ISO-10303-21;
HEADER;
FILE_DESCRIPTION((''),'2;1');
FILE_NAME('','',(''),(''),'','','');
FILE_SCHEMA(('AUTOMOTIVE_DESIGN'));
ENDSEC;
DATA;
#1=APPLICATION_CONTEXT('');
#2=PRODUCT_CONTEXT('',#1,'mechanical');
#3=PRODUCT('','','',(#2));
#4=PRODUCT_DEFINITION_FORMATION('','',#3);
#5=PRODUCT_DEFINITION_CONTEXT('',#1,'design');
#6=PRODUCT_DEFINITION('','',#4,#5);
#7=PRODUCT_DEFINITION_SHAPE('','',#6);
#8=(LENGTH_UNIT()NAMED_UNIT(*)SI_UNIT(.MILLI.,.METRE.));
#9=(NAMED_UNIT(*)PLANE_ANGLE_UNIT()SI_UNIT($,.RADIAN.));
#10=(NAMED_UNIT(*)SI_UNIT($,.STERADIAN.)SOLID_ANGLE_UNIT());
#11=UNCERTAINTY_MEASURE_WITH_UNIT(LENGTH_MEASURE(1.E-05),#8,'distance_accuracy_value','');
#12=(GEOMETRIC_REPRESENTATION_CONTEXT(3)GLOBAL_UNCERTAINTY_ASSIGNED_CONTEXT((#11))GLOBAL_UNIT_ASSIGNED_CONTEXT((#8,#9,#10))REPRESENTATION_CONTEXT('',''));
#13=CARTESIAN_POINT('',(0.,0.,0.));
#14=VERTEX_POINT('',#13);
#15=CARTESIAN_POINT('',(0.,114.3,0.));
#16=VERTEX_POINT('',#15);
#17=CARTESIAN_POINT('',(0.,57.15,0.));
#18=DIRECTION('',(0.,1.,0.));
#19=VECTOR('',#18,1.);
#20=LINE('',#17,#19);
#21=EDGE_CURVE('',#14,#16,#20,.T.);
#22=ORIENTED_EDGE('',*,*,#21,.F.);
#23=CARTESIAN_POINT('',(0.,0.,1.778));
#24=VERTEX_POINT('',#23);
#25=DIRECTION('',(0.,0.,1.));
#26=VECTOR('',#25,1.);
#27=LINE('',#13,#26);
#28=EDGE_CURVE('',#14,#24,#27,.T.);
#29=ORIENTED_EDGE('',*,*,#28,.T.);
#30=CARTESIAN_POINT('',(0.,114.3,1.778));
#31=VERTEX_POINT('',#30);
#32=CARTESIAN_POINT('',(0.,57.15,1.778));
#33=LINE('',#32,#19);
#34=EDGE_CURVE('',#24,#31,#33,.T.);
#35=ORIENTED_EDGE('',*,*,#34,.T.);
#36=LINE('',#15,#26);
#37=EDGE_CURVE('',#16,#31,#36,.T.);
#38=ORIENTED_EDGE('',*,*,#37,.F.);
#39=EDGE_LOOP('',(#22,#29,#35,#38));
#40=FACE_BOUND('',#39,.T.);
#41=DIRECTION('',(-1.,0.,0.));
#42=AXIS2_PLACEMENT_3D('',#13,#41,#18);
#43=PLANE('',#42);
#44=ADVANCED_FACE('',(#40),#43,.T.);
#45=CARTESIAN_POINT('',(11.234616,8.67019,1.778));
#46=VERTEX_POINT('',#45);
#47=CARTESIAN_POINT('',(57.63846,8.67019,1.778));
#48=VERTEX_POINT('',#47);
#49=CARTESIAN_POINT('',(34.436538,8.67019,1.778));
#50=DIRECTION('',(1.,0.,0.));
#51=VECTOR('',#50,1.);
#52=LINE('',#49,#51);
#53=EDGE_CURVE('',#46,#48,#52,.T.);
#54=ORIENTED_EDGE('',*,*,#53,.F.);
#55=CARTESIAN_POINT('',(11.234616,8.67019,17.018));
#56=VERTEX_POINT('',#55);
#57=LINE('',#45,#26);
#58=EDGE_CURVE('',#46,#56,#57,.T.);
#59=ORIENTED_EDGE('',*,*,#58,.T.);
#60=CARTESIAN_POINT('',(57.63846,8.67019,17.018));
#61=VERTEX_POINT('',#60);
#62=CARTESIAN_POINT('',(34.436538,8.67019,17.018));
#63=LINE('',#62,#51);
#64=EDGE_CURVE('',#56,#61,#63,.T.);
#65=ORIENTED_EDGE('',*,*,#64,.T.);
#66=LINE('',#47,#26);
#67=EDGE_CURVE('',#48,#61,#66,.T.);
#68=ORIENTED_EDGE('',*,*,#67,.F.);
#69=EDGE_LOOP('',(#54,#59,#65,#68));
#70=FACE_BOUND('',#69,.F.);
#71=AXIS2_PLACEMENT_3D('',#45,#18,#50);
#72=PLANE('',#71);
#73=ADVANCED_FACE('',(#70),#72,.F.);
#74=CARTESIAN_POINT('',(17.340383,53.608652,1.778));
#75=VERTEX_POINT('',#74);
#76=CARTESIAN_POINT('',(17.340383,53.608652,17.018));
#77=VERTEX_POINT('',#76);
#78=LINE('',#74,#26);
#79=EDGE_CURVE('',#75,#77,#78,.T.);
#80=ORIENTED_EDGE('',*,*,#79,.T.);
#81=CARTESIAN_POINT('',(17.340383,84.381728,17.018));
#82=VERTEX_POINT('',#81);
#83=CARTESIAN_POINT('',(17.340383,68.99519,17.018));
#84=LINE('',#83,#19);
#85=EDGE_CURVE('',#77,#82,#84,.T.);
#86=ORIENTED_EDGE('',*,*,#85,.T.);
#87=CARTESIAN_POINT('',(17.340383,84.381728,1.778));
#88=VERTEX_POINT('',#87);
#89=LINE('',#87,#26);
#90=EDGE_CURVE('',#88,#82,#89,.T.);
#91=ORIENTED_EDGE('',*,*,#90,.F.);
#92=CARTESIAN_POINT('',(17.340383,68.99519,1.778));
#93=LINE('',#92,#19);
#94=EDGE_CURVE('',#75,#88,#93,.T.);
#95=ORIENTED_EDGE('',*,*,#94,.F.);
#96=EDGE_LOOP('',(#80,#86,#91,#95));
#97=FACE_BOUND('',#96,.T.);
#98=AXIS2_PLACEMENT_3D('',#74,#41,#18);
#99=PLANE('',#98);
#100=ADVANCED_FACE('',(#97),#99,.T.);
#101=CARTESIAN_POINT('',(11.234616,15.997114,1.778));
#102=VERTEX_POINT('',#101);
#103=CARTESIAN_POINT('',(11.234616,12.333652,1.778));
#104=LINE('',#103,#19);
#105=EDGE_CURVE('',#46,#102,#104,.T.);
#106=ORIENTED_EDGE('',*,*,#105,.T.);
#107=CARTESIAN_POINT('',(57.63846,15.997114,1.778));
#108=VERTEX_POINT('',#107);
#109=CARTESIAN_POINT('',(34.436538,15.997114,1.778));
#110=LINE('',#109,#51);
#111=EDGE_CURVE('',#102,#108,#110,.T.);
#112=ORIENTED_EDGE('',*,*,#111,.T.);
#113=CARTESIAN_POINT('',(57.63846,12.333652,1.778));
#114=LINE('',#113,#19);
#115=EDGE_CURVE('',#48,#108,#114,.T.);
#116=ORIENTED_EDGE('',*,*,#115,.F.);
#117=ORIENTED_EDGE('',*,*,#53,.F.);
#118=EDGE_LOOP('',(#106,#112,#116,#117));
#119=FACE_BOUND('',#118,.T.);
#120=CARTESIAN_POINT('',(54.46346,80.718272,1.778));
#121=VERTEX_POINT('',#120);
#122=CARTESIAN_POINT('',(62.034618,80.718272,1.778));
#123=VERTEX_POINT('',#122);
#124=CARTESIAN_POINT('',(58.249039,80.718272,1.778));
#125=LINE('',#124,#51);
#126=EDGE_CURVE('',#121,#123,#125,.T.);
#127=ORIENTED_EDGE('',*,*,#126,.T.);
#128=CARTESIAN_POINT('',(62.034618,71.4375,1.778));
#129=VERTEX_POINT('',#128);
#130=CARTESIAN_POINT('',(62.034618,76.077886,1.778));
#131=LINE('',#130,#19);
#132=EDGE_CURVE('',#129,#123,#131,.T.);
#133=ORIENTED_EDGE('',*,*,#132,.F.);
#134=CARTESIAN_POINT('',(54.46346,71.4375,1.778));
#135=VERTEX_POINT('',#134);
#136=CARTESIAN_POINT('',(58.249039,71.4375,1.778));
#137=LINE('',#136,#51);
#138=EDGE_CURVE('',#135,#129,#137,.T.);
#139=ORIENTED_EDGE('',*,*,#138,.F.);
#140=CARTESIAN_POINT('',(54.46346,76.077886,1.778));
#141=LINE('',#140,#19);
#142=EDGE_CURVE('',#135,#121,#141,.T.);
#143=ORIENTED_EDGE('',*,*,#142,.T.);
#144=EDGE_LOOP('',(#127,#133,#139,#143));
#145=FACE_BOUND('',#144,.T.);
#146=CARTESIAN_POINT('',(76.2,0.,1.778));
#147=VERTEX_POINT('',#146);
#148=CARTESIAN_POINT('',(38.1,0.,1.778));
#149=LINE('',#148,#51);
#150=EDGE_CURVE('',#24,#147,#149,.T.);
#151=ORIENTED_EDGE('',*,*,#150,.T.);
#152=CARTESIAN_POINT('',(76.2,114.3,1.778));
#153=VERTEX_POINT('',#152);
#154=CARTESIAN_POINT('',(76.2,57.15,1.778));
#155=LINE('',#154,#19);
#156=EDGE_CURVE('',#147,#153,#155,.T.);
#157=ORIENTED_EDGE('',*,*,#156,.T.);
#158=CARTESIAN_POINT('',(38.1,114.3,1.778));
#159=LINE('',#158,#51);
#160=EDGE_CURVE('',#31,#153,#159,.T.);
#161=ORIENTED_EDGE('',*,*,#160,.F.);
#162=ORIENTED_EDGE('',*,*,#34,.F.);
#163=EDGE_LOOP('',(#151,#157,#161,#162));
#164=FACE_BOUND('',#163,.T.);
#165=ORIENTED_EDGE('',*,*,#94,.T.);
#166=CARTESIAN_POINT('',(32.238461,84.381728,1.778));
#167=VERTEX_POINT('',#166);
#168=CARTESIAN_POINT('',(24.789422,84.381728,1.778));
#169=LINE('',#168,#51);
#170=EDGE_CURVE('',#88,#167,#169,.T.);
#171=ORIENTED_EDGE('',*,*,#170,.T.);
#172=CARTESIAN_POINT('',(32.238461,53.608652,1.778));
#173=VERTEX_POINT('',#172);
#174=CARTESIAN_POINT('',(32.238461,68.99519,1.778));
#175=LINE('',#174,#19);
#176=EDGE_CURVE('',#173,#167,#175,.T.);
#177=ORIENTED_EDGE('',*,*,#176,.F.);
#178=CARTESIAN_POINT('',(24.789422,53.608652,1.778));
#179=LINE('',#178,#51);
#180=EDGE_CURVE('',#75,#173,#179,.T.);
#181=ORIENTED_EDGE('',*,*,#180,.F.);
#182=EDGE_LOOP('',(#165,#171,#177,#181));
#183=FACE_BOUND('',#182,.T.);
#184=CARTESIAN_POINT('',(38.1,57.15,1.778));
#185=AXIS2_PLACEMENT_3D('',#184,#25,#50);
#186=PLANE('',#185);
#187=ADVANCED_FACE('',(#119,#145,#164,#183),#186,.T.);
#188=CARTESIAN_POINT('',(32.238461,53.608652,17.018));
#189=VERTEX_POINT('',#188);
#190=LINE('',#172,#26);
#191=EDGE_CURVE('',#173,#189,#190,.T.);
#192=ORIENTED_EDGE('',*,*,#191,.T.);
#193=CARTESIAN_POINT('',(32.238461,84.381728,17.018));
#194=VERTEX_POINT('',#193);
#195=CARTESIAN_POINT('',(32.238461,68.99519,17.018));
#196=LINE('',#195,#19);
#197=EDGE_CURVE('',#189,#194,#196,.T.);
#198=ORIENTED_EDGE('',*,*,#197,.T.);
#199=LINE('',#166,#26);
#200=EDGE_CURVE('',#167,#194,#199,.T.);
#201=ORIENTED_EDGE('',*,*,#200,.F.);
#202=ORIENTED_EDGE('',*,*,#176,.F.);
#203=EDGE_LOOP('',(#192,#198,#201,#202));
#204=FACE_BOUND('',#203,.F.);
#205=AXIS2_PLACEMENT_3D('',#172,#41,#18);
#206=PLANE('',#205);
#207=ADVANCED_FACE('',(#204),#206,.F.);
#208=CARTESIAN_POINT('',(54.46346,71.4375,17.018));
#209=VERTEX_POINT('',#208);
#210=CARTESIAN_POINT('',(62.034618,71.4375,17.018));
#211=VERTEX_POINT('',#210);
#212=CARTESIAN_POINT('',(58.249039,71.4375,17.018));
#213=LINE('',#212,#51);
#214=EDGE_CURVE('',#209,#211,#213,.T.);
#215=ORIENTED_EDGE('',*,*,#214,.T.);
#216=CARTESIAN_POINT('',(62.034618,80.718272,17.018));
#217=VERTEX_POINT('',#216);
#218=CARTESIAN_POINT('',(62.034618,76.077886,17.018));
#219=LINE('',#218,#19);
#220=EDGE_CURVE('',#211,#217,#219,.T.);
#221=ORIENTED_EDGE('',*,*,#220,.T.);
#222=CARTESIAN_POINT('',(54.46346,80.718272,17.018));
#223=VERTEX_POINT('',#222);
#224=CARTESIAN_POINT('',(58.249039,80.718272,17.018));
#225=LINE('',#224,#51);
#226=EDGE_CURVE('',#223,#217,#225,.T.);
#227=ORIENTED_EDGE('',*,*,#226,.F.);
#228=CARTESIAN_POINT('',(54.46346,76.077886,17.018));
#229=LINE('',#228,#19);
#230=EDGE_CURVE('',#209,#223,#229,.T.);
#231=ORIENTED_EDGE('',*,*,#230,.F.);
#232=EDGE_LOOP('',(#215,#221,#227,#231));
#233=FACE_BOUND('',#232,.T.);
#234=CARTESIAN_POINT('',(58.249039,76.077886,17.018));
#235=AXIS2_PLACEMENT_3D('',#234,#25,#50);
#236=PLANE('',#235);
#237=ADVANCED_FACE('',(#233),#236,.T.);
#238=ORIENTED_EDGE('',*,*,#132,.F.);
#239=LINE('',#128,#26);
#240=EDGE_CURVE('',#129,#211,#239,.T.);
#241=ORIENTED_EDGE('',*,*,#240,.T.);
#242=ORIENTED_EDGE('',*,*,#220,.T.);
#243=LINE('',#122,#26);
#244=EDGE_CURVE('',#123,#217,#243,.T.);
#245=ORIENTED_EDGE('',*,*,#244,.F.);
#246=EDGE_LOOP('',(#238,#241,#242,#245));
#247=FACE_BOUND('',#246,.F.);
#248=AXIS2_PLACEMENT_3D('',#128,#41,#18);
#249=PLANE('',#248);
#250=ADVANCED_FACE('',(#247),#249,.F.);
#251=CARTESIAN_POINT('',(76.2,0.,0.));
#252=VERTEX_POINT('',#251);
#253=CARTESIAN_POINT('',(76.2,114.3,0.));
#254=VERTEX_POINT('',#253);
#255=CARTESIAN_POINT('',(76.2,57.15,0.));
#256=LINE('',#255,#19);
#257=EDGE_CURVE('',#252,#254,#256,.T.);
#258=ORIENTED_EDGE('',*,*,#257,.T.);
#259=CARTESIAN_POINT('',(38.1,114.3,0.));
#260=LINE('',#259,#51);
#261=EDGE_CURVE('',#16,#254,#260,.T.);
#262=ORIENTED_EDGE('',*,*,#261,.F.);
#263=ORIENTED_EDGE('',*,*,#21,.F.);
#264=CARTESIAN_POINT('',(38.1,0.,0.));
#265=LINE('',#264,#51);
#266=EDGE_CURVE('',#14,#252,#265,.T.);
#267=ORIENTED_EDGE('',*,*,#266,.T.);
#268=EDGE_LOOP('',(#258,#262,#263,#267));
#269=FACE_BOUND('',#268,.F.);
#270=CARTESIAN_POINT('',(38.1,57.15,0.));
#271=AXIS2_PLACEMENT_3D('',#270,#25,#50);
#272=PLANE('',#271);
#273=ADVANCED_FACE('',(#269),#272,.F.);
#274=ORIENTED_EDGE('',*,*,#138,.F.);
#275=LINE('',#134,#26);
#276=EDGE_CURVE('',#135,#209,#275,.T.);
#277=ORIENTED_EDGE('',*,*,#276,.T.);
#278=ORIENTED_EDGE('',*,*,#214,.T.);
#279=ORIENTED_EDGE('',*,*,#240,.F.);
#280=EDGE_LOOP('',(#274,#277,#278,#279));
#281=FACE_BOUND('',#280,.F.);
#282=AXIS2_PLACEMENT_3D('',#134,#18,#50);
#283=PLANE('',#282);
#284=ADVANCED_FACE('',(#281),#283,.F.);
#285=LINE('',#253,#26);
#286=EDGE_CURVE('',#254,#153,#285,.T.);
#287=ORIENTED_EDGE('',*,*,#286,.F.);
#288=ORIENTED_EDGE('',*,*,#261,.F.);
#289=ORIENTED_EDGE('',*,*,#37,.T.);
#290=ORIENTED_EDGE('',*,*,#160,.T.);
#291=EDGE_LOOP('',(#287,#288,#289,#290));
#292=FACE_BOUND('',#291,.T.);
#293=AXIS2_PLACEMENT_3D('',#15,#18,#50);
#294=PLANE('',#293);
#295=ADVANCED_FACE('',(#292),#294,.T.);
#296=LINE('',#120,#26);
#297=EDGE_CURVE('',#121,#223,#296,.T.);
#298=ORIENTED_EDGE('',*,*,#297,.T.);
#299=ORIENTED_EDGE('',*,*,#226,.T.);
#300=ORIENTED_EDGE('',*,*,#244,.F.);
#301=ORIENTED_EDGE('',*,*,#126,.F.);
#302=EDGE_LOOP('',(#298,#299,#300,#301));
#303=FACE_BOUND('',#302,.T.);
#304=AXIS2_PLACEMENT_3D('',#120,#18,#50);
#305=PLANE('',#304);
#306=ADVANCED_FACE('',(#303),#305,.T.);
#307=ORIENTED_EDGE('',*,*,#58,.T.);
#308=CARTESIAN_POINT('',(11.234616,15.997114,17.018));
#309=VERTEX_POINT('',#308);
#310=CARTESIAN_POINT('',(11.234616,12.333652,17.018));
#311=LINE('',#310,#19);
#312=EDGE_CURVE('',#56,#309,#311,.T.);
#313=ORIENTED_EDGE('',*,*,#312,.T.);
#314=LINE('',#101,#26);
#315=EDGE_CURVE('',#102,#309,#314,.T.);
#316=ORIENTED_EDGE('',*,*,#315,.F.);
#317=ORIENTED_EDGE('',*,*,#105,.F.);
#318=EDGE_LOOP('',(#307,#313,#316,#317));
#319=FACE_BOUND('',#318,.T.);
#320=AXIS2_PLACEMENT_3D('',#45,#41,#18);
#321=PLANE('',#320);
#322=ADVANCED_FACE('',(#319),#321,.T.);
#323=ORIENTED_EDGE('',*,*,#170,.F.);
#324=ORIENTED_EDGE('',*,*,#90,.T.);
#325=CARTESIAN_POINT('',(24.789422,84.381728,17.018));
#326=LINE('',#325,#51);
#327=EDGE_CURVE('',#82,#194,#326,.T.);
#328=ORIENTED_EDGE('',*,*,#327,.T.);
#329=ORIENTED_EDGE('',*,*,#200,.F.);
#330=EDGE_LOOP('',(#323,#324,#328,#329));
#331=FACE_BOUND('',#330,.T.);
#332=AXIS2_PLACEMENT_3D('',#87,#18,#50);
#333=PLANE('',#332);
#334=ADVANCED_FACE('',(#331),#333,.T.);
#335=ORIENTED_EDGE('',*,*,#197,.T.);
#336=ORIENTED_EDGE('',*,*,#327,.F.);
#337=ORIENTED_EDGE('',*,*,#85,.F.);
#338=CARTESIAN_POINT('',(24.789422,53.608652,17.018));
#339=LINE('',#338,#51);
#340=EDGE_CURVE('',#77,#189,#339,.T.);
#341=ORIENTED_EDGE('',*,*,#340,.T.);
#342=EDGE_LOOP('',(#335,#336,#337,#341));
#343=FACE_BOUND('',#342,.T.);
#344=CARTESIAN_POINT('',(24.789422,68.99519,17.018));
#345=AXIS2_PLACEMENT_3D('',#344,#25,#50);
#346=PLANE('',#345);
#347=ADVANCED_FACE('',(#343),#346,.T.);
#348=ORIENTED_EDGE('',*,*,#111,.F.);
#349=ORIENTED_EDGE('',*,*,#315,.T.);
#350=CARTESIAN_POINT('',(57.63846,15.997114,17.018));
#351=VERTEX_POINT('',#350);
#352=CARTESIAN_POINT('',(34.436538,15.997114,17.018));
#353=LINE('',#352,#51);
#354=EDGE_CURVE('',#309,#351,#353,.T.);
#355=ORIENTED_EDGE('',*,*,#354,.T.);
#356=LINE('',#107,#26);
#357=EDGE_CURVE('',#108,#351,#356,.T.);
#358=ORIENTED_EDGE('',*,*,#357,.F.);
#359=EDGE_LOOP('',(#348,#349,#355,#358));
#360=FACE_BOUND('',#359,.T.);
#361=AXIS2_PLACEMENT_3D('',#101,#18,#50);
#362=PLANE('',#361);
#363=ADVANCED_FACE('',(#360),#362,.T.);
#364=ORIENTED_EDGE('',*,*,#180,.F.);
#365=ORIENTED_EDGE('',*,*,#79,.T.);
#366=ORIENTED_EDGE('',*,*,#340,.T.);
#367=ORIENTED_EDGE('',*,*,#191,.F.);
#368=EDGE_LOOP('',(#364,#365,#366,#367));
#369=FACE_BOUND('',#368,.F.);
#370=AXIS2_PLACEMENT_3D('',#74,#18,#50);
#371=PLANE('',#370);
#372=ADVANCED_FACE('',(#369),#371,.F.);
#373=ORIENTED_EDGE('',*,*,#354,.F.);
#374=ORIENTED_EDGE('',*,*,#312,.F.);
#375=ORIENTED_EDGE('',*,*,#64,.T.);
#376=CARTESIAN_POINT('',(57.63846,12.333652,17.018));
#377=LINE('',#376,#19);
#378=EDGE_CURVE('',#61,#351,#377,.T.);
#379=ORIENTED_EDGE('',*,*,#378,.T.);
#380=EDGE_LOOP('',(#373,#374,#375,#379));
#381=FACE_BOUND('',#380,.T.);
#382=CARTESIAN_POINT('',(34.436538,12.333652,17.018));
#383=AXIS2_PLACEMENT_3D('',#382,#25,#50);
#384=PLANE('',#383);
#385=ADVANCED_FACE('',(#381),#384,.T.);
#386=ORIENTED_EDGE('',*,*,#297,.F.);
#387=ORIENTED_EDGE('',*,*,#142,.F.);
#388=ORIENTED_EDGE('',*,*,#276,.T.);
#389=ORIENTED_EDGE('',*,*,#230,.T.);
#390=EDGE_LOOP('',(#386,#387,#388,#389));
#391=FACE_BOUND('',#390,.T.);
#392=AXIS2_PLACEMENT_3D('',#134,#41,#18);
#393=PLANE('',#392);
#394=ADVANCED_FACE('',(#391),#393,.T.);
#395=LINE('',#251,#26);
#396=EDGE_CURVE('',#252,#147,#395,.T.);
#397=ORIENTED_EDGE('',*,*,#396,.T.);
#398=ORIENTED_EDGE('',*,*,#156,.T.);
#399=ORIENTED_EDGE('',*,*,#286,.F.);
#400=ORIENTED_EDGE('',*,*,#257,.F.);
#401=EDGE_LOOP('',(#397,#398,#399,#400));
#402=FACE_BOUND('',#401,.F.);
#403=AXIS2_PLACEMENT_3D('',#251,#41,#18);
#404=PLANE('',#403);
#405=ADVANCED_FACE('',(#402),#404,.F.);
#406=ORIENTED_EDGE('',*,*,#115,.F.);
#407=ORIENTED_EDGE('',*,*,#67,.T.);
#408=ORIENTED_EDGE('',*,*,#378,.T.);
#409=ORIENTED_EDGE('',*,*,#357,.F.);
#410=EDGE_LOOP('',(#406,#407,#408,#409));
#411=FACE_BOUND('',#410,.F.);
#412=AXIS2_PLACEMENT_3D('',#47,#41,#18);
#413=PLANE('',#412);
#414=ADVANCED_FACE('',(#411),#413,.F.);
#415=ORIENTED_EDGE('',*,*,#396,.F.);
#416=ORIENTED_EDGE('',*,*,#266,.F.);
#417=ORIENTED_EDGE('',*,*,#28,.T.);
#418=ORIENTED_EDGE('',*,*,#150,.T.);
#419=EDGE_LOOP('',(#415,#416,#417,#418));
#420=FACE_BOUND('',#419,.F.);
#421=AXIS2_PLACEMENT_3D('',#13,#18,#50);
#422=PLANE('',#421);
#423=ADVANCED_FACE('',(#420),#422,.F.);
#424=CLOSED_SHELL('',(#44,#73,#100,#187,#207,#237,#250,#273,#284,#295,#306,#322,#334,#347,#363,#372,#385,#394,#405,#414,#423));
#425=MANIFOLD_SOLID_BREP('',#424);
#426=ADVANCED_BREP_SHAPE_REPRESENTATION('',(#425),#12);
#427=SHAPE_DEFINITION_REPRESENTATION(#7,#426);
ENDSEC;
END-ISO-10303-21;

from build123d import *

# Parameters (mm, degrees)
F0_W     = 76.2
F0_H     = 114.3
F1_DEPTH = 1.778
F2_W     = 46.403843
F2_H     = 7.326924
F2_W_2   = 14.898078
F2_H_2   = 30.773077
F2_W_3   = 7.571157
F2_H_3   = 9.280771
F3_DEPTH = 15.24


with BuildPart() as f1:
    # F0 (on Top) → F1 (new body)
    with BuildSketch(Plane.XY):
        with Locations((38.1, 57.15)):
            Rectangle(F0_W, F0_H)
    extrude(amount=F1_DEPTH)

    # F2 (on face) → F3 (join)
    with BuildSketch(Plane.XY.offset(1.778)):
        with Locations((34.436538, 12.333652)):
            Rectangle(F2_W, F2_H)
        with Locations((24.789422, 68.99519)):
            Rectangle(F2_W_2, F2_H_2)
        with Locations((58.249039, 76.077886)):
            Rectangle(F2_W_3, F2_H_3)
    extrude(amount=F3_DEPTH)


solid = f1.part
